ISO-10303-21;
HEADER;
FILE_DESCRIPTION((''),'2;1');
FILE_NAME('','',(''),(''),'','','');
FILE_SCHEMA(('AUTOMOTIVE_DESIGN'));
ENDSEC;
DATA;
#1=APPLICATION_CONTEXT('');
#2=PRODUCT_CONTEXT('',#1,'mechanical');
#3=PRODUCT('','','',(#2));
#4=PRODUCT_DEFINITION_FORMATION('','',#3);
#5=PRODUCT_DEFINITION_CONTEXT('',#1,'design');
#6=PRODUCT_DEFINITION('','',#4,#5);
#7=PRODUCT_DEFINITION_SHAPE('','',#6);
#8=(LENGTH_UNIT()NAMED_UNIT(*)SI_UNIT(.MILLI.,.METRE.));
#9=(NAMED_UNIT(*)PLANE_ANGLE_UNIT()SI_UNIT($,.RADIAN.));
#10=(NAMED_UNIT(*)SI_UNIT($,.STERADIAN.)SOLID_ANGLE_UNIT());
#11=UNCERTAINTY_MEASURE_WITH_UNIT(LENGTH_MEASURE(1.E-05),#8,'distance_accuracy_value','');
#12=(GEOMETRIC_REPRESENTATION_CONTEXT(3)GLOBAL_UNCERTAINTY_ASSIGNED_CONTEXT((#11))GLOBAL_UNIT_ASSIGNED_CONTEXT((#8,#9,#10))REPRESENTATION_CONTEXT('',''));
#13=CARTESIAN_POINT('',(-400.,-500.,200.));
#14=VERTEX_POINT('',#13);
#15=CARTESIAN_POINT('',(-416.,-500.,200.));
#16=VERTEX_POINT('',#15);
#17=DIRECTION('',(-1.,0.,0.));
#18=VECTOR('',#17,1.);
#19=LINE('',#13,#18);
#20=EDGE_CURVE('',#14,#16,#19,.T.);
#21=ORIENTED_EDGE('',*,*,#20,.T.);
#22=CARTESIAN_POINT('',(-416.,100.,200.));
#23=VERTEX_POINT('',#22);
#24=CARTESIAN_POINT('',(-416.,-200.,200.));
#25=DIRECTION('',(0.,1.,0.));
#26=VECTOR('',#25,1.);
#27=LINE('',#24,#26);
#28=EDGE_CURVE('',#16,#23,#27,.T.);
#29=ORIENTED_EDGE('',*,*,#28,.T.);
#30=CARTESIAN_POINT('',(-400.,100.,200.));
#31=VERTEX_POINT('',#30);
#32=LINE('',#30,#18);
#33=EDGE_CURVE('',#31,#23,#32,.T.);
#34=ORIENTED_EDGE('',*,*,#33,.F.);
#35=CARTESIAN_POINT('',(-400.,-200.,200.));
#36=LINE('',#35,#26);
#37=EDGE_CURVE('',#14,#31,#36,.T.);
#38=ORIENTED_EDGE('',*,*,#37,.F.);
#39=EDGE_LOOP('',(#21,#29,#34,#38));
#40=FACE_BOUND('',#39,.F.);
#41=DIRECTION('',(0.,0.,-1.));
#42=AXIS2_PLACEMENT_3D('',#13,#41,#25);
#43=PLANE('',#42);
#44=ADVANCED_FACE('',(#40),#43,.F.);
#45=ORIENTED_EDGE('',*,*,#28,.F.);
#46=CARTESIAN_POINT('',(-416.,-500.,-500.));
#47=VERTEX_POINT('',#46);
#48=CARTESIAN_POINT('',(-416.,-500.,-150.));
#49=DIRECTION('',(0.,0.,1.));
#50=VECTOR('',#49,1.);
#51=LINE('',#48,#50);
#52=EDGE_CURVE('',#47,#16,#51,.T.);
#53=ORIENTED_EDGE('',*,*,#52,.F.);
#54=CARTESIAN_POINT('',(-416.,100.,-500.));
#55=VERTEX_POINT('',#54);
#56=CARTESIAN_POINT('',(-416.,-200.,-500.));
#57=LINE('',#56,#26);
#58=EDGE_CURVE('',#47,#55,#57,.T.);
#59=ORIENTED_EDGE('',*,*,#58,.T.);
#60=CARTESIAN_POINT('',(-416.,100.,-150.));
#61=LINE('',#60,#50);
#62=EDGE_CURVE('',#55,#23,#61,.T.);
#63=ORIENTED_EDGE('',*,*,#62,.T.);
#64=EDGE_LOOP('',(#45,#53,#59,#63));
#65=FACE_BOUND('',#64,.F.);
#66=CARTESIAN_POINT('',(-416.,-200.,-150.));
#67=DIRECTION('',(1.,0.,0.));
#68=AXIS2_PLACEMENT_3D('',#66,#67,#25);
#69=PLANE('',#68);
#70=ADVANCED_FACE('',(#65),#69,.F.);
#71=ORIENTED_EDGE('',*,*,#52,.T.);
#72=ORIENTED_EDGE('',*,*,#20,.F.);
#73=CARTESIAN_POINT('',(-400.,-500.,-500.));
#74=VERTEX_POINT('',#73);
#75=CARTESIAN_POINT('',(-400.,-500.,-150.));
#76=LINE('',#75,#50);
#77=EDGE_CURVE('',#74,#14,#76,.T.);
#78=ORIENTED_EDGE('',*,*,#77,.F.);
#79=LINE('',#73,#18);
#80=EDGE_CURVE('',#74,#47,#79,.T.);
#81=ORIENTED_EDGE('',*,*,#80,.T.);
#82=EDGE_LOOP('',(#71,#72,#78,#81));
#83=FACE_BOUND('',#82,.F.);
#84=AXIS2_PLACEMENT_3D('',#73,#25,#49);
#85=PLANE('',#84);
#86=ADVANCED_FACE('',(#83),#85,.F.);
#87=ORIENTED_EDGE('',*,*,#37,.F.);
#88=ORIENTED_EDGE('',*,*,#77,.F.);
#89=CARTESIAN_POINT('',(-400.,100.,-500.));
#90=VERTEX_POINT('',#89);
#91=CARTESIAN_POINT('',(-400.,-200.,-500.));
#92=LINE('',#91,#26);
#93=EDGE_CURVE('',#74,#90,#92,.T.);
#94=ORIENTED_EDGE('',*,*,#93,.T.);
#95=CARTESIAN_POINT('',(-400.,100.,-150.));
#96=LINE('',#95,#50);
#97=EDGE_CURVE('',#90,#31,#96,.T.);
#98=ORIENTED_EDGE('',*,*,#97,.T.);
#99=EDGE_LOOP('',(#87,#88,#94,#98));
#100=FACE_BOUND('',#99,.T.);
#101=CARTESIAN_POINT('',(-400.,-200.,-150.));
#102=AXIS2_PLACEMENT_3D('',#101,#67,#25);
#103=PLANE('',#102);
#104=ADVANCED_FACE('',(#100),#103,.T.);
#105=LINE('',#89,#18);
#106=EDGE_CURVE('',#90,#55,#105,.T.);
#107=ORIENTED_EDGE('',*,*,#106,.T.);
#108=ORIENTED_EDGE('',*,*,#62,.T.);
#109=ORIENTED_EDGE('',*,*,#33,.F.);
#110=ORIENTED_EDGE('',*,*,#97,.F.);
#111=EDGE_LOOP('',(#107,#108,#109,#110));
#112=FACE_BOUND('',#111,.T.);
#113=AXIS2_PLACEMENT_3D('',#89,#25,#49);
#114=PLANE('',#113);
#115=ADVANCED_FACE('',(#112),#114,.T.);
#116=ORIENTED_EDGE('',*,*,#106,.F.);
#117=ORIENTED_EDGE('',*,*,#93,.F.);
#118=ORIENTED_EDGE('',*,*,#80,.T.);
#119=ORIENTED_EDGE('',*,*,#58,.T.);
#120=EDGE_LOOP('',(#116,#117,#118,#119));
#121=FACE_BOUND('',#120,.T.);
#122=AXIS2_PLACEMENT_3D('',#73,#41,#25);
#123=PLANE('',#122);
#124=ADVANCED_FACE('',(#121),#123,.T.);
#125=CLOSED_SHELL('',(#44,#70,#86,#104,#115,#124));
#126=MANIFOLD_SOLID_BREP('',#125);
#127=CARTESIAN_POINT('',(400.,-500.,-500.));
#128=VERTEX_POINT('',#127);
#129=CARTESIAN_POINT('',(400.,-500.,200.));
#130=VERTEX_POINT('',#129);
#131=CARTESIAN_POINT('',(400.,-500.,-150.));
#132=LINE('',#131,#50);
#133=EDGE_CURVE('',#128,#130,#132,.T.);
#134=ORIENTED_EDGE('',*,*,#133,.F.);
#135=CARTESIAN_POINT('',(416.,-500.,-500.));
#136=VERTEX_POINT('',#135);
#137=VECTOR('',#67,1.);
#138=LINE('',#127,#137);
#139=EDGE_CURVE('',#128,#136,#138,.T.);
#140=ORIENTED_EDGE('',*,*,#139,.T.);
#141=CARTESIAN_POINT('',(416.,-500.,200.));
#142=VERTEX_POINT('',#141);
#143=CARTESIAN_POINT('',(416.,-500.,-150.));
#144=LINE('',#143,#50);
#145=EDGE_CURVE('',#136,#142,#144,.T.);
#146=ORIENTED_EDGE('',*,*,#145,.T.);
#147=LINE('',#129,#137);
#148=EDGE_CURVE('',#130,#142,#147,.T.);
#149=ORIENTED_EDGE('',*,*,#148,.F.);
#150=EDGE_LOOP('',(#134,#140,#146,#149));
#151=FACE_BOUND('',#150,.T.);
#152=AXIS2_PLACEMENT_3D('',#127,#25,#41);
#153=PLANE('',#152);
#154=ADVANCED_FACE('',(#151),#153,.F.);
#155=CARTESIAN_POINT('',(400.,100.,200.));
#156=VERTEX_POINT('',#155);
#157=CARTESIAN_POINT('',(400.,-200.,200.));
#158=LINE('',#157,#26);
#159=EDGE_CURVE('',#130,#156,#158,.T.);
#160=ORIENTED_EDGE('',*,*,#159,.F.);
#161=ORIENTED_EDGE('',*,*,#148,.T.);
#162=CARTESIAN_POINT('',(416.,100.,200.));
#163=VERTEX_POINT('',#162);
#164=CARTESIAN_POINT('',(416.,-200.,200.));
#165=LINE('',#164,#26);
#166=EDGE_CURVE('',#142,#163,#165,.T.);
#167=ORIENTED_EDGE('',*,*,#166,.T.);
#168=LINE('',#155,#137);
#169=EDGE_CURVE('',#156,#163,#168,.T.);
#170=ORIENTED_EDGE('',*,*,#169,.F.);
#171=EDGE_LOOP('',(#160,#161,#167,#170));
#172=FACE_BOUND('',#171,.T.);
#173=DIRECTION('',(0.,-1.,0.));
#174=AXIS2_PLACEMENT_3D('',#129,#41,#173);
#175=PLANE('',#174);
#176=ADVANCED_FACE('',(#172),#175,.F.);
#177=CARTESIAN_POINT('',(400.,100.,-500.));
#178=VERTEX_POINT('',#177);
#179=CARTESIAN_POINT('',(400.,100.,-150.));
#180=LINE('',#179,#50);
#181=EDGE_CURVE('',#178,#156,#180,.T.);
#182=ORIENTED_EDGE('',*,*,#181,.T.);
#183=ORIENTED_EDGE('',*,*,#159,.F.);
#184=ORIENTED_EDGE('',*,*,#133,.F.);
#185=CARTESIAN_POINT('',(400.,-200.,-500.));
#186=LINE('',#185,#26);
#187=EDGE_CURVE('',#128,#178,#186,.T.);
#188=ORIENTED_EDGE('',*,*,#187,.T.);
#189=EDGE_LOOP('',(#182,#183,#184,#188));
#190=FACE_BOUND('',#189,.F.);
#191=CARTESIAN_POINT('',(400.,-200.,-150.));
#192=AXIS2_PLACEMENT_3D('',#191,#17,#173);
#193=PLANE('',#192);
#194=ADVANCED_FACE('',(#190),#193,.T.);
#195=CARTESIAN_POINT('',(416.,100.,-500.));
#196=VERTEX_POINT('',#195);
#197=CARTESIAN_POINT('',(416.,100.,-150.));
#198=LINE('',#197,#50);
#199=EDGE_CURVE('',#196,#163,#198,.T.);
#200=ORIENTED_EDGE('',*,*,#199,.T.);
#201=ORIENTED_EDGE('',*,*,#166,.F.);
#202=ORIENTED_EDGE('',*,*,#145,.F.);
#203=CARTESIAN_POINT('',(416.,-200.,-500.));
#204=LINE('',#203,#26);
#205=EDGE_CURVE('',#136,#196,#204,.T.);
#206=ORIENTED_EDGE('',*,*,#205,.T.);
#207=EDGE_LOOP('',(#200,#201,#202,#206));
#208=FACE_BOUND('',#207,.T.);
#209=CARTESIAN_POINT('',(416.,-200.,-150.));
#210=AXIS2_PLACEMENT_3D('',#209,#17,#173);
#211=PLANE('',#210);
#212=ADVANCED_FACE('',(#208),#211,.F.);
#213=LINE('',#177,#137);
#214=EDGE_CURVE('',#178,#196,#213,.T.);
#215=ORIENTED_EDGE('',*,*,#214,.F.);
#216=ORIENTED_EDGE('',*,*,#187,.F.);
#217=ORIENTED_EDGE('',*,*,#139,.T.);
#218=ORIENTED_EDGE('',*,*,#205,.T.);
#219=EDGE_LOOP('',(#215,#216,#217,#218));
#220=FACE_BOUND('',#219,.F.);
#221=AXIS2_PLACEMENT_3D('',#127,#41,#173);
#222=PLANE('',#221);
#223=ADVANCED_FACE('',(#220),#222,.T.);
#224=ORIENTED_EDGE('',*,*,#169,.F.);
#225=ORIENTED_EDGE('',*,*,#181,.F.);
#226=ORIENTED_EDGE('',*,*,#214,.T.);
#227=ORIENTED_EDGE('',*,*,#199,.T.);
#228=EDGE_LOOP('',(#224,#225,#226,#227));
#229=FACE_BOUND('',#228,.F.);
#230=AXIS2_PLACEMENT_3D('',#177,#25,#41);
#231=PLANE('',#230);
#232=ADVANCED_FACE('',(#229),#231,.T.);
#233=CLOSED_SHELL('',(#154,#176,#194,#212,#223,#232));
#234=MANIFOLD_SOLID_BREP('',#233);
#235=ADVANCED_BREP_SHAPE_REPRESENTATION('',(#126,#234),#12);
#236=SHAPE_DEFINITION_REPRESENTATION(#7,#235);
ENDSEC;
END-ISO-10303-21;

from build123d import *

# Parameters (mm, degrees)
F3_W     = 600
F3_H     = 700
F4_DEPTH = 16


with BuildPart() as f4:
    # F3 (on offset) → F4 (new body)
    with BuildSketch(Plane.YZ.offset(-400)):
        with Locations((-200, -150)):
            Rectangle(F3_W, F3_H)
    extrude(amount=-F4_DEPTH)


with BuildPart() as f5_1:
    # F5: instance of F4
    add(f4.part.mirror(Plane.YZ))


solid = Compound([f4.part, f5_1.part])
